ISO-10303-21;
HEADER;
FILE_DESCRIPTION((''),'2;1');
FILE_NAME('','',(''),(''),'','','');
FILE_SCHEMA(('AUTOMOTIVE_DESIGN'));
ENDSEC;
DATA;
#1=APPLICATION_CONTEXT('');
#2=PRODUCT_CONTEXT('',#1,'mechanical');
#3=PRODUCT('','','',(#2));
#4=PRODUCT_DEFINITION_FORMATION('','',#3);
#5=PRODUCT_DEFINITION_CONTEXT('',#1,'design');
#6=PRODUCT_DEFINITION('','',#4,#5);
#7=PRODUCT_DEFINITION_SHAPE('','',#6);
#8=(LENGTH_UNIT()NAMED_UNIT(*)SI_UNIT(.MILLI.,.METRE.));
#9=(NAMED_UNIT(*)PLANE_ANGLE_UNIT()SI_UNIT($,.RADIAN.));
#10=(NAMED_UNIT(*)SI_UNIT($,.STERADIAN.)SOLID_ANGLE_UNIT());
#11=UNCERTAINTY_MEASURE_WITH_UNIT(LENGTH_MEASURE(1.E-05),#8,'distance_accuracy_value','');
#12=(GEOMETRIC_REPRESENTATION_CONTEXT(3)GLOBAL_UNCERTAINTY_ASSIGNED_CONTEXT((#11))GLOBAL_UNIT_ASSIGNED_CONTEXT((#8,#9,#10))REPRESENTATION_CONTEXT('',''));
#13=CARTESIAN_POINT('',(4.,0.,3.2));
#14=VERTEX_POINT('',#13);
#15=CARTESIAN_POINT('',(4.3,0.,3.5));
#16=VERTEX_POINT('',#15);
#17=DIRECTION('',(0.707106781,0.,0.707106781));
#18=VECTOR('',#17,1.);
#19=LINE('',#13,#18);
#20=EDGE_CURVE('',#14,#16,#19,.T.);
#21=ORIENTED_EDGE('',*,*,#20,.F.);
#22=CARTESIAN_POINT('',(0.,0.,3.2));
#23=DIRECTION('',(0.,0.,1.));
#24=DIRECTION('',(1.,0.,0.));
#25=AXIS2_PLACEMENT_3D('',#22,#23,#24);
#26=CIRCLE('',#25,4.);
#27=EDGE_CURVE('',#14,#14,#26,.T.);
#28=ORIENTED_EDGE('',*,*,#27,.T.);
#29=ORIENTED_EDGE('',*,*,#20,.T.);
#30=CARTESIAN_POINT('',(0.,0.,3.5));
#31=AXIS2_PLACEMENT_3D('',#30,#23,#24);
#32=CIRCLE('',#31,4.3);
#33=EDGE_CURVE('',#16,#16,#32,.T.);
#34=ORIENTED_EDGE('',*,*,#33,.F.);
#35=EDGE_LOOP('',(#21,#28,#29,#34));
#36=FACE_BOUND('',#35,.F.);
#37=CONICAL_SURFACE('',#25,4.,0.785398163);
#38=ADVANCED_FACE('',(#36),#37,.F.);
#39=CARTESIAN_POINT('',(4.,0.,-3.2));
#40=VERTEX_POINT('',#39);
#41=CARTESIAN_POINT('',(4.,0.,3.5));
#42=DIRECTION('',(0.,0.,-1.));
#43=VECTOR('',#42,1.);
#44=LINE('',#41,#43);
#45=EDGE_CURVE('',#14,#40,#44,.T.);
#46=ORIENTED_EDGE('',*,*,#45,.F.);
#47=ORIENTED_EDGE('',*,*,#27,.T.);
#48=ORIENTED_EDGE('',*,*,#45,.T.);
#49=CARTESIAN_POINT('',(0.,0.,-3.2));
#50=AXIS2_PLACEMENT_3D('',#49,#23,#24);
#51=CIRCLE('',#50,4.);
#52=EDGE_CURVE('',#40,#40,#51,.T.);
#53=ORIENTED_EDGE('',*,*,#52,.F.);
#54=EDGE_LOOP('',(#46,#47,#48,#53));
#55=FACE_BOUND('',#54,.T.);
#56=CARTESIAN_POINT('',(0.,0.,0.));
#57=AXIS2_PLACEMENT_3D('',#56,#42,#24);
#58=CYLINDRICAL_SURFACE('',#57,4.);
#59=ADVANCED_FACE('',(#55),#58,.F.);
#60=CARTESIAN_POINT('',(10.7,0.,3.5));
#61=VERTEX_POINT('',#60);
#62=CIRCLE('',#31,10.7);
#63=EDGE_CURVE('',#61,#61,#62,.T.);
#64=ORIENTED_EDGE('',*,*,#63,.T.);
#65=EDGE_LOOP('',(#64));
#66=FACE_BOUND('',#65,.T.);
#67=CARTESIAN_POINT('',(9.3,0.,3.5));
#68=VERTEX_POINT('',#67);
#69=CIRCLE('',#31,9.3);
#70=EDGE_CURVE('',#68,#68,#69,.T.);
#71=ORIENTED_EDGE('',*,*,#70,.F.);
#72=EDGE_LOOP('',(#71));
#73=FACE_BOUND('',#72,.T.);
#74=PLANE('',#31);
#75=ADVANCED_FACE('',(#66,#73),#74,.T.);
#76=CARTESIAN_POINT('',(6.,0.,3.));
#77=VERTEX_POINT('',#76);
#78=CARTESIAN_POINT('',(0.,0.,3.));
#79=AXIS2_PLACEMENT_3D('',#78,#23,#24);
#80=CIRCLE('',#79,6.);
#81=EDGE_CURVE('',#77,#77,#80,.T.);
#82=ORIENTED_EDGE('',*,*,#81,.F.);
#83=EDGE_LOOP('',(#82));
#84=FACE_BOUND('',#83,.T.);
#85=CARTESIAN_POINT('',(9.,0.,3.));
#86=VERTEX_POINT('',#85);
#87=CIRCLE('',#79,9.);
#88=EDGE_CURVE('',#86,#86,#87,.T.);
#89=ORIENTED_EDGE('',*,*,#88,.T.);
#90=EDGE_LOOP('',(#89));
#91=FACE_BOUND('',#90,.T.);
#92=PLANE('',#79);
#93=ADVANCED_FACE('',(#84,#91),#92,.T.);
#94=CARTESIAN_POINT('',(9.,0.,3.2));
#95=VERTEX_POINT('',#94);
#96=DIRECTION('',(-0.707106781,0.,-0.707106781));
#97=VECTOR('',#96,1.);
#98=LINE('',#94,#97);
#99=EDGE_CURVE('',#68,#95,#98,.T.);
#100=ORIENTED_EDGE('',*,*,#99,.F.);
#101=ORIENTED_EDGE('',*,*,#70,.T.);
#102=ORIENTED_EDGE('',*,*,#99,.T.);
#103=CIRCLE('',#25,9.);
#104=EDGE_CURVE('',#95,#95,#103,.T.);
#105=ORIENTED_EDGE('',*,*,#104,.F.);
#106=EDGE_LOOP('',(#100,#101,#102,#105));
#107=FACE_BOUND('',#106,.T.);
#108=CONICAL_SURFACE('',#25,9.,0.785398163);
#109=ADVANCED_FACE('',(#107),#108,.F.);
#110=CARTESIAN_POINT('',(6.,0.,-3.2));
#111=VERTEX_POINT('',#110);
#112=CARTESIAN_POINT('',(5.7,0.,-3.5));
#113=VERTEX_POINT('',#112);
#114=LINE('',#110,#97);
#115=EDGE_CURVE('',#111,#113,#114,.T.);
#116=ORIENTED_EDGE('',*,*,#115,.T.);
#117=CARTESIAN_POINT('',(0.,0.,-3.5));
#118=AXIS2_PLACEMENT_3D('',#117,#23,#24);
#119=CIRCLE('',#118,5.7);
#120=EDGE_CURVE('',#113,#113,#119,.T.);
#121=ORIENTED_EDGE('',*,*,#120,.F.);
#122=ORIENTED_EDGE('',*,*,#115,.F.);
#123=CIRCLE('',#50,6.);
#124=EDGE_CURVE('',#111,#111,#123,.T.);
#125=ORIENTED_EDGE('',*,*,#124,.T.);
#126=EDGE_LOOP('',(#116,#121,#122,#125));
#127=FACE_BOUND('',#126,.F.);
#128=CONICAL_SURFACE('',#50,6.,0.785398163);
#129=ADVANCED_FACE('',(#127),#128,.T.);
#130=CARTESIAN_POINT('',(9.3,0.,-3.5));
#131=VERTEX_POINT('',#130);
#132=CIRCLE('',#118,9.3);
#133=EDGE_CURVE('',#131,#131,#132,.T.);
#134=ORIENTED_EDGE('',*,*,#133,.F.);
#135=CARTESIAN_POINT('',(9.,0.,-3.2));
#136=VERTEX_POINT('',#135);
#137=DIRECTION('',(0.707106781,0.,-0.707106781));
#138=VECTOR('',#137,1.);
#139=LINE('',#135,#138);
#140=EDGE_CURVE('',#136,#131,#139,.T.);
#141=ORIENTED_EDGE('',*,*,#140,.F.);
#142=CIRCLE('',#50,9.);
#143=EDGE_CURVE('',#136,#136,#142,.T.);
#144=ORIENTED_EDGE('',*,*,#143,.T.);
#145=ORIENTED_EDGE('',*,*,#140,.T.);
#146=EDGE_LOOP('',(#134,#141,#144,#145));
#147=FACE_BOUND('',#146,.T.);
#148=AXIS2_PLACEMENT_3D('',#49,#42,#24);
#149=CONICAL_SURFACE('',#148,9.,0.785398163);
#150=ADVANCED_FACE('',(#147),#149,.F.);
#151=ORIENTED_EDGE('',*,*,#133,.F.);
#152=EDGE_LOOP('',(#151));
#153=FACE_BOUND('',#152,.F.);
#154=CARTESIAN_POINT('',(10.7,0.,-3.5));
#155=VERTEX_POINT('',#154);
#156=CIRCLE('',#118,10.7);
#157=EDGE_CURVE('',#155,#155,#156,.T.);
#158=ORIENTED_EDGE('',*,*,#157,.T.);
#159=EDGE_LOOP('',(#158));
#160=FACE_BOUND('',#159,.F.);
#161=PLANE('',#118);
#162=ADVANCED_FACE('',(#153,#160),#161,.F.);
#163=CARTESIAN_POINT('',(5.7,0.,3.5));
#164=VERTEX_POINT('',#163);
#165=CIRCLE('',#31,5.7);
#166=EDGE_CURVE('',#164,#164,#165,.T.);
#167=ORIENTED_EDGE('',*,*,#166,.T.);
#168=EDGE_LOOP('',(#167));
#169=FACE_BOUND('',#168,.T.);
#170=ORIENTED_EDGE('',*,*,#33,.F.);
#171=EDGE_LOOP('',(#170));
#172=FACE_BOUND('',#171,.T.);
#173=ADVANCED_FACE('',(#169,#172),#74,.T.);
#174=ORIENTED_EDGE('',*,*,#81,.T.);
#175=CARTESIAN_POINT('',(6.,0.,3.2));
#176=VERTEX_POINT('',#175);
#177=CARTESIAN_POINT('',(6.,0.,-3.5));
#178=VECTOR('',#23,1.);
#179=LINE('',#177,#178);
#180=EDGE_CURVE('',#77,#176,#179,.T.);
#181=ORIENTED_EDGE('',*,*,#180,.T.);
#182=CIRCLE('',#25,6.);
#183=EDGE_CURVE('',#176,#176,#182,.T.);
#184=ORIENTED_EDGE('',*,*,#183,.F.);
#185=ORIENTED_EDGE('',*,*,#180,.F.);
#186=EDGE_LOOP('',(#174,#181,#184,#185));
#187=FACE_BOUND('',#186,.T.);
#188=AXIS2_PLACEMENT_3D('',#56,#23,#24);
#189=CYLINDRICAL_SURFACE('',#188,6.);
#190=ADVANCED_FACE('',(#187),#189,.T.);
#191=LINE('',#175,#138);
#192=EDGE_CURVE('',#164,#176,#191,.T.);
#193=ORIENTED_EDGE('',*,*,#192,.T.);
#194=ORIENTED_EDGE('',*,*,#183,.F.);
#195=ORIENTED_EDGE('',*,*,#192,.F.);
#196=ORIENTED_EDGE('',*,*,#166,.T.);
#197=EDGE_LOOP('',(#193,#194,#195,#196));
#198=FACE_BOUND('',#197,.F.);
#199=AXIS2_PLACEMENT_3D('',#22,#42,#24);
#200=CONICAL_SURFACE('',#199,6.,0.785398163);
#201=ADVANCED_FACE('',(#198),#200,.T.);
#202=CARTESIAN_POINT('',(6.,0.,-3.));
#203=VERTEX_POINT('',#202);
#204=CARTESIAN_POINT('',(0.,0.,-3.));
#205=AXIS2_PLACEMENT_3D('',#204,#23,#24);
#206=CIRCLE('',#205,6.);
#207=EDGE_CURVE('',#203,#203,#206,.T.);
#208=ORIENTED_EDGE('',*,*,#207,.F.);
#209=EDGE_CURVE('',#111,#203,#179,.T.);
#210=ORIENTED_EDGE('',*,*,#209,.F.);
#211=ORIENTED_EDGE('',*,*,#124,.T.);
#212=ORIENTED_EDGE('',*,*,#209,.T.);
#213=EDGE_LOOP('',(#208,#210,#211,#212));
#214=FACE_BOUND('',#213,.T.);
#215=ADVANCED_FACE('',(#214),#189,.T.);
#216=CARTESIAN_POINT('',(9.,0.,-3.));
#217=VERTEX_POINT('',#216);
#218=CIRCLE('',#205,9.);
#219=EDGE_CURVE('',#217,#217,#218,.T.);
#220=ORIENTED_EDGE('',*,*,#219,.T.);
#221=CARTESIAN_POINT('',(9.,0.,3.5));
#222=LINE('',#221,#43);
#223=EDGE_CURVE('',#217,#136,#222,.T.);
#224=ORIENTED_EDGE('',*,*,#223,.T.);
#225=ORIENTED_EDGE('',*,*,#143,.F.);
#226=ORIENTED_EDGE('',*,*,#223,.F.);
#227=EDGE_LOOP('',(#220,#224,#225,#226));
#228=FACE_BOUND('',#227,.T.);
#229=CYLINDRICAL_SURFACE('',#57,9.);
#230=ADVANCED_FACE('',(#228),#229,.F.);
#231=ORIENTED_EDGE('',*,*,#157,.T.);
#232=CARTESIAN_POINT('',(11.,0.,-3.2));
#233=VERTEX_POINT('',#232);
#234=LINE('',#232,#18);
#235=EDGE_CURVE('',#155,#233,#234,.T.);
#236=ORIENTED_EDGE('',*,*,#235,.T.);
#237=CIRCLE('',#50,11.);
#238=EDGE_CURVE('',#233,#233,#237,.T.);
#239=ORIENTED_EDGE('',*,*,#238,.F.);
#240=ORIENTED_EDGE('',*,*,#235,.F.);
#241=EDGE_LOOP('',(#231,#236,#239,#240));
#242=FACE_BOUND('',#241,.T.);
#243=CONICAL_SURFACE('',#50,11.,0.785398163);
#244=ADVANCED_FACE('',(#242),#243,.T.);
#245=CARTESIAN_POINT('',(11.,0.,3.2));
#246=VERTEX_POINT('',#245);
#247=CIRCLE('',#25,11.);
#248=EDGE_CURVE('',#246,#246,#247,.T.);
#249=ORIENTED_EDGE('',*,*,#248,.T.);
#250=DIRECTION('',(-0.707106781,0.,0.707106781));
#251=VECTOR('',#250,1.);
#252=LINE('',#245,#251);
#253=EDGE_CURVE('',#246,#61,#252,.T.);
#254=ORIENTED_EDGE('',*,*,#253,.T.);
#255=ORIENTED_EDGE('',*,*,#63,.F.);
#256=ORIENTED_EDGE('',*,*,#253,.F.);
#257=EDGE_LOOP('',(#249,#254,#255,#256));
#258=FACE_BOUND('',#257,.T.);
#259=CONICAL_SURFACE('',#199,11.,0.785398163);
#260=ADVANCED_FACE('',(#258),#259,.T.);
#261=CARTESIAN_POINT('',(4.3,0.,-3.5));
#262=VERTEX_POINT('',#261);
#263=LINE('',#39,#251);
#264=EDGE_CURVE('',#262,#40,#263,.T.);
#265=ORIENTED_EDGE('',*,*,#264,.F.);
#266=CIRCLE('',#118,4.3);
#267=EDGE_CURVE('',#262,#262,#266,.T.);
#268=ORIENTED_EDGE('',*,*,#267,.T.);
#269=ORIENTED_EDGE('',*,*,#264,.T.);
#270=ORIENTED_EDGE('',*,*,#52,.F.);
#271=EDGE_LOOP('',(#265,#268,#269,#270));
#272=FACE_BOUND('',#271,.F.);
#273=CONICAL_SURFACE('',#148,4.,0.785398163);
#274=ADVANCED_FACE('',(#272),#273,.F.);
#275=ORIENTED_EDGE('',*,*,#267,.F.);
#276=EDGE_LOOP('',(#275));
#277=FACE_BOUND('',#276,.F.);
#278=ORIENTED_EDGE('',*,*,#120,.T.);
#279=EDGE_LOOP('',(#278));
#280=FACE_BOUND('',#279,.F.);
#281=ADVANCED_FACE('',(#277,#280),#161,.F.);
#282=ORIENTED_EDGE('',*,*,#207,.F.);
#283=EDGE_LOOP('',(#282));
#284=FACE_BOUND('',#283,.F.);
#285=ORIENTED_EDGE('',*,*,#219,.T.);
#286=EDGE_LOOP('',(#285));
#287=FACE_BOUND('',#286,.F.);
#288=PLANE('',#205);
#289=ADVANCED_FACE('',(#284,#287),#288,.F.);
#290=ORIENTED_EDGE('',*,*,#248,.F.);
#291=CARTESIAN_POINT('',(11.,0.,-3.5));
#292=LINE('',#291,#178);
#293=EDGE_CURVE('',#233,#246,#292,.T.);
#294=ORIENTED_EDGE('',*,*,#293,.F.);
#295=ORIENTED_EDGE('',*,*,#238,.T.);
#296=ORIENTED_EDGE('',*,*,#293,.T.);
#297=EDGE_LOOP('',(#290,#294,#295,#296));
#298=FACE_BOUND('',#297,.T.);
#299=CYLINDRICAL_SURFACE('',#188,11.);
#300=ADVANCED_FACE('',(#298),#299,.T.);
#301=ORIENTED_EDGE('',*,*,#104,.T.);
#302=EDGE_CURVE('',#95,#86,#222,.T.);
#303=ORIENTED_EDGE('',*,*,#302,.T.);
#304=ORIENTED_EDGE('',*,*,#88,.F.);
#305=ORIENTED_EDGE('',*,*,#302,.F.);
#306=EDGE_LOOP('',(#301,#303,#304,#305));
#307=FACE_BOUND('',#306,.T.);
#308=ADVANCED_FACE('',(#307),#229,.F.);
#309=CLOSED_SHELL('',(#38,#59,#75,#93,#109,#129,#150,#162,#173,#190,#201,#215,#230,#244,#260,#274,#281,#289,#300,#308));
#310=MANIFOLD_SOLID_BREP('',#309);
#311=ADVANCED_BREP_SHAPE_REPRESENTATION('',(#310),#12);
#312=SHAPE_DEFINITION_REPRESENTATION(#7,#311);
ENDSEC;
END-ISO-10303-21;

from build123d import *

# Parameters (mm, degrees)
F0_R     = 11
F0_R_2   = 9
F1_DEPTH = 3.5
F0_R_3   = 6
F0_R_4   = 4
F2_DEPTH = 3
F3_SIZE  = 0.3


with BuildPart() as f1:
    # F0 (on Top) → F1 (new body, symmetric)
    with BuildSketch(Plane.XY):
        Circle(F0_R)
        Circle(F0_R_2, mode=Mode.SUBTRACT)
    extrude(amount=F1_DEPTH, both=True)



with BuildPart() as f1b:
    # F0 (on Top) → F1, piece 2 (new body, symmetric)
    with BuildSketch(Plane.XY):
        Circle(F0_R_3)
        Circle(F0_R_4, mode=Mode.SUBTRACT)
    extrude(amount=F1_DEPTH, both=True)


with BuildPart() as f1_1:
    add(f1.part)

    add(f1b.part)  # F2 merges F1b
    # F0 (on Top) → F2 (join, symmetric)
    with BuildSketch(Plane.XY):
        Circle(F0_R_2)
        Circle(F0_R_3, mode=Mode.SUBTRACT)
    extrude(amount=F2_DEPTH, both=True)

    # F3
    f3_edges = [f1_1.edges().sort_by_distance(p)[0] for p in [
        (-11, 0, 3.5),
        (-4, 0, 3.5),
        (-9, 0, 3.5),
        (-6, 0, 3.5),
        (-11, 0, -3.5),
        (-9, 0, -3.5),
        (-6, 0, -3.5),
        (-4, 0, -3.5),
    ]]
    chamfer(f3_edges, length=F3_SIZE)


solid = f1_1.part
